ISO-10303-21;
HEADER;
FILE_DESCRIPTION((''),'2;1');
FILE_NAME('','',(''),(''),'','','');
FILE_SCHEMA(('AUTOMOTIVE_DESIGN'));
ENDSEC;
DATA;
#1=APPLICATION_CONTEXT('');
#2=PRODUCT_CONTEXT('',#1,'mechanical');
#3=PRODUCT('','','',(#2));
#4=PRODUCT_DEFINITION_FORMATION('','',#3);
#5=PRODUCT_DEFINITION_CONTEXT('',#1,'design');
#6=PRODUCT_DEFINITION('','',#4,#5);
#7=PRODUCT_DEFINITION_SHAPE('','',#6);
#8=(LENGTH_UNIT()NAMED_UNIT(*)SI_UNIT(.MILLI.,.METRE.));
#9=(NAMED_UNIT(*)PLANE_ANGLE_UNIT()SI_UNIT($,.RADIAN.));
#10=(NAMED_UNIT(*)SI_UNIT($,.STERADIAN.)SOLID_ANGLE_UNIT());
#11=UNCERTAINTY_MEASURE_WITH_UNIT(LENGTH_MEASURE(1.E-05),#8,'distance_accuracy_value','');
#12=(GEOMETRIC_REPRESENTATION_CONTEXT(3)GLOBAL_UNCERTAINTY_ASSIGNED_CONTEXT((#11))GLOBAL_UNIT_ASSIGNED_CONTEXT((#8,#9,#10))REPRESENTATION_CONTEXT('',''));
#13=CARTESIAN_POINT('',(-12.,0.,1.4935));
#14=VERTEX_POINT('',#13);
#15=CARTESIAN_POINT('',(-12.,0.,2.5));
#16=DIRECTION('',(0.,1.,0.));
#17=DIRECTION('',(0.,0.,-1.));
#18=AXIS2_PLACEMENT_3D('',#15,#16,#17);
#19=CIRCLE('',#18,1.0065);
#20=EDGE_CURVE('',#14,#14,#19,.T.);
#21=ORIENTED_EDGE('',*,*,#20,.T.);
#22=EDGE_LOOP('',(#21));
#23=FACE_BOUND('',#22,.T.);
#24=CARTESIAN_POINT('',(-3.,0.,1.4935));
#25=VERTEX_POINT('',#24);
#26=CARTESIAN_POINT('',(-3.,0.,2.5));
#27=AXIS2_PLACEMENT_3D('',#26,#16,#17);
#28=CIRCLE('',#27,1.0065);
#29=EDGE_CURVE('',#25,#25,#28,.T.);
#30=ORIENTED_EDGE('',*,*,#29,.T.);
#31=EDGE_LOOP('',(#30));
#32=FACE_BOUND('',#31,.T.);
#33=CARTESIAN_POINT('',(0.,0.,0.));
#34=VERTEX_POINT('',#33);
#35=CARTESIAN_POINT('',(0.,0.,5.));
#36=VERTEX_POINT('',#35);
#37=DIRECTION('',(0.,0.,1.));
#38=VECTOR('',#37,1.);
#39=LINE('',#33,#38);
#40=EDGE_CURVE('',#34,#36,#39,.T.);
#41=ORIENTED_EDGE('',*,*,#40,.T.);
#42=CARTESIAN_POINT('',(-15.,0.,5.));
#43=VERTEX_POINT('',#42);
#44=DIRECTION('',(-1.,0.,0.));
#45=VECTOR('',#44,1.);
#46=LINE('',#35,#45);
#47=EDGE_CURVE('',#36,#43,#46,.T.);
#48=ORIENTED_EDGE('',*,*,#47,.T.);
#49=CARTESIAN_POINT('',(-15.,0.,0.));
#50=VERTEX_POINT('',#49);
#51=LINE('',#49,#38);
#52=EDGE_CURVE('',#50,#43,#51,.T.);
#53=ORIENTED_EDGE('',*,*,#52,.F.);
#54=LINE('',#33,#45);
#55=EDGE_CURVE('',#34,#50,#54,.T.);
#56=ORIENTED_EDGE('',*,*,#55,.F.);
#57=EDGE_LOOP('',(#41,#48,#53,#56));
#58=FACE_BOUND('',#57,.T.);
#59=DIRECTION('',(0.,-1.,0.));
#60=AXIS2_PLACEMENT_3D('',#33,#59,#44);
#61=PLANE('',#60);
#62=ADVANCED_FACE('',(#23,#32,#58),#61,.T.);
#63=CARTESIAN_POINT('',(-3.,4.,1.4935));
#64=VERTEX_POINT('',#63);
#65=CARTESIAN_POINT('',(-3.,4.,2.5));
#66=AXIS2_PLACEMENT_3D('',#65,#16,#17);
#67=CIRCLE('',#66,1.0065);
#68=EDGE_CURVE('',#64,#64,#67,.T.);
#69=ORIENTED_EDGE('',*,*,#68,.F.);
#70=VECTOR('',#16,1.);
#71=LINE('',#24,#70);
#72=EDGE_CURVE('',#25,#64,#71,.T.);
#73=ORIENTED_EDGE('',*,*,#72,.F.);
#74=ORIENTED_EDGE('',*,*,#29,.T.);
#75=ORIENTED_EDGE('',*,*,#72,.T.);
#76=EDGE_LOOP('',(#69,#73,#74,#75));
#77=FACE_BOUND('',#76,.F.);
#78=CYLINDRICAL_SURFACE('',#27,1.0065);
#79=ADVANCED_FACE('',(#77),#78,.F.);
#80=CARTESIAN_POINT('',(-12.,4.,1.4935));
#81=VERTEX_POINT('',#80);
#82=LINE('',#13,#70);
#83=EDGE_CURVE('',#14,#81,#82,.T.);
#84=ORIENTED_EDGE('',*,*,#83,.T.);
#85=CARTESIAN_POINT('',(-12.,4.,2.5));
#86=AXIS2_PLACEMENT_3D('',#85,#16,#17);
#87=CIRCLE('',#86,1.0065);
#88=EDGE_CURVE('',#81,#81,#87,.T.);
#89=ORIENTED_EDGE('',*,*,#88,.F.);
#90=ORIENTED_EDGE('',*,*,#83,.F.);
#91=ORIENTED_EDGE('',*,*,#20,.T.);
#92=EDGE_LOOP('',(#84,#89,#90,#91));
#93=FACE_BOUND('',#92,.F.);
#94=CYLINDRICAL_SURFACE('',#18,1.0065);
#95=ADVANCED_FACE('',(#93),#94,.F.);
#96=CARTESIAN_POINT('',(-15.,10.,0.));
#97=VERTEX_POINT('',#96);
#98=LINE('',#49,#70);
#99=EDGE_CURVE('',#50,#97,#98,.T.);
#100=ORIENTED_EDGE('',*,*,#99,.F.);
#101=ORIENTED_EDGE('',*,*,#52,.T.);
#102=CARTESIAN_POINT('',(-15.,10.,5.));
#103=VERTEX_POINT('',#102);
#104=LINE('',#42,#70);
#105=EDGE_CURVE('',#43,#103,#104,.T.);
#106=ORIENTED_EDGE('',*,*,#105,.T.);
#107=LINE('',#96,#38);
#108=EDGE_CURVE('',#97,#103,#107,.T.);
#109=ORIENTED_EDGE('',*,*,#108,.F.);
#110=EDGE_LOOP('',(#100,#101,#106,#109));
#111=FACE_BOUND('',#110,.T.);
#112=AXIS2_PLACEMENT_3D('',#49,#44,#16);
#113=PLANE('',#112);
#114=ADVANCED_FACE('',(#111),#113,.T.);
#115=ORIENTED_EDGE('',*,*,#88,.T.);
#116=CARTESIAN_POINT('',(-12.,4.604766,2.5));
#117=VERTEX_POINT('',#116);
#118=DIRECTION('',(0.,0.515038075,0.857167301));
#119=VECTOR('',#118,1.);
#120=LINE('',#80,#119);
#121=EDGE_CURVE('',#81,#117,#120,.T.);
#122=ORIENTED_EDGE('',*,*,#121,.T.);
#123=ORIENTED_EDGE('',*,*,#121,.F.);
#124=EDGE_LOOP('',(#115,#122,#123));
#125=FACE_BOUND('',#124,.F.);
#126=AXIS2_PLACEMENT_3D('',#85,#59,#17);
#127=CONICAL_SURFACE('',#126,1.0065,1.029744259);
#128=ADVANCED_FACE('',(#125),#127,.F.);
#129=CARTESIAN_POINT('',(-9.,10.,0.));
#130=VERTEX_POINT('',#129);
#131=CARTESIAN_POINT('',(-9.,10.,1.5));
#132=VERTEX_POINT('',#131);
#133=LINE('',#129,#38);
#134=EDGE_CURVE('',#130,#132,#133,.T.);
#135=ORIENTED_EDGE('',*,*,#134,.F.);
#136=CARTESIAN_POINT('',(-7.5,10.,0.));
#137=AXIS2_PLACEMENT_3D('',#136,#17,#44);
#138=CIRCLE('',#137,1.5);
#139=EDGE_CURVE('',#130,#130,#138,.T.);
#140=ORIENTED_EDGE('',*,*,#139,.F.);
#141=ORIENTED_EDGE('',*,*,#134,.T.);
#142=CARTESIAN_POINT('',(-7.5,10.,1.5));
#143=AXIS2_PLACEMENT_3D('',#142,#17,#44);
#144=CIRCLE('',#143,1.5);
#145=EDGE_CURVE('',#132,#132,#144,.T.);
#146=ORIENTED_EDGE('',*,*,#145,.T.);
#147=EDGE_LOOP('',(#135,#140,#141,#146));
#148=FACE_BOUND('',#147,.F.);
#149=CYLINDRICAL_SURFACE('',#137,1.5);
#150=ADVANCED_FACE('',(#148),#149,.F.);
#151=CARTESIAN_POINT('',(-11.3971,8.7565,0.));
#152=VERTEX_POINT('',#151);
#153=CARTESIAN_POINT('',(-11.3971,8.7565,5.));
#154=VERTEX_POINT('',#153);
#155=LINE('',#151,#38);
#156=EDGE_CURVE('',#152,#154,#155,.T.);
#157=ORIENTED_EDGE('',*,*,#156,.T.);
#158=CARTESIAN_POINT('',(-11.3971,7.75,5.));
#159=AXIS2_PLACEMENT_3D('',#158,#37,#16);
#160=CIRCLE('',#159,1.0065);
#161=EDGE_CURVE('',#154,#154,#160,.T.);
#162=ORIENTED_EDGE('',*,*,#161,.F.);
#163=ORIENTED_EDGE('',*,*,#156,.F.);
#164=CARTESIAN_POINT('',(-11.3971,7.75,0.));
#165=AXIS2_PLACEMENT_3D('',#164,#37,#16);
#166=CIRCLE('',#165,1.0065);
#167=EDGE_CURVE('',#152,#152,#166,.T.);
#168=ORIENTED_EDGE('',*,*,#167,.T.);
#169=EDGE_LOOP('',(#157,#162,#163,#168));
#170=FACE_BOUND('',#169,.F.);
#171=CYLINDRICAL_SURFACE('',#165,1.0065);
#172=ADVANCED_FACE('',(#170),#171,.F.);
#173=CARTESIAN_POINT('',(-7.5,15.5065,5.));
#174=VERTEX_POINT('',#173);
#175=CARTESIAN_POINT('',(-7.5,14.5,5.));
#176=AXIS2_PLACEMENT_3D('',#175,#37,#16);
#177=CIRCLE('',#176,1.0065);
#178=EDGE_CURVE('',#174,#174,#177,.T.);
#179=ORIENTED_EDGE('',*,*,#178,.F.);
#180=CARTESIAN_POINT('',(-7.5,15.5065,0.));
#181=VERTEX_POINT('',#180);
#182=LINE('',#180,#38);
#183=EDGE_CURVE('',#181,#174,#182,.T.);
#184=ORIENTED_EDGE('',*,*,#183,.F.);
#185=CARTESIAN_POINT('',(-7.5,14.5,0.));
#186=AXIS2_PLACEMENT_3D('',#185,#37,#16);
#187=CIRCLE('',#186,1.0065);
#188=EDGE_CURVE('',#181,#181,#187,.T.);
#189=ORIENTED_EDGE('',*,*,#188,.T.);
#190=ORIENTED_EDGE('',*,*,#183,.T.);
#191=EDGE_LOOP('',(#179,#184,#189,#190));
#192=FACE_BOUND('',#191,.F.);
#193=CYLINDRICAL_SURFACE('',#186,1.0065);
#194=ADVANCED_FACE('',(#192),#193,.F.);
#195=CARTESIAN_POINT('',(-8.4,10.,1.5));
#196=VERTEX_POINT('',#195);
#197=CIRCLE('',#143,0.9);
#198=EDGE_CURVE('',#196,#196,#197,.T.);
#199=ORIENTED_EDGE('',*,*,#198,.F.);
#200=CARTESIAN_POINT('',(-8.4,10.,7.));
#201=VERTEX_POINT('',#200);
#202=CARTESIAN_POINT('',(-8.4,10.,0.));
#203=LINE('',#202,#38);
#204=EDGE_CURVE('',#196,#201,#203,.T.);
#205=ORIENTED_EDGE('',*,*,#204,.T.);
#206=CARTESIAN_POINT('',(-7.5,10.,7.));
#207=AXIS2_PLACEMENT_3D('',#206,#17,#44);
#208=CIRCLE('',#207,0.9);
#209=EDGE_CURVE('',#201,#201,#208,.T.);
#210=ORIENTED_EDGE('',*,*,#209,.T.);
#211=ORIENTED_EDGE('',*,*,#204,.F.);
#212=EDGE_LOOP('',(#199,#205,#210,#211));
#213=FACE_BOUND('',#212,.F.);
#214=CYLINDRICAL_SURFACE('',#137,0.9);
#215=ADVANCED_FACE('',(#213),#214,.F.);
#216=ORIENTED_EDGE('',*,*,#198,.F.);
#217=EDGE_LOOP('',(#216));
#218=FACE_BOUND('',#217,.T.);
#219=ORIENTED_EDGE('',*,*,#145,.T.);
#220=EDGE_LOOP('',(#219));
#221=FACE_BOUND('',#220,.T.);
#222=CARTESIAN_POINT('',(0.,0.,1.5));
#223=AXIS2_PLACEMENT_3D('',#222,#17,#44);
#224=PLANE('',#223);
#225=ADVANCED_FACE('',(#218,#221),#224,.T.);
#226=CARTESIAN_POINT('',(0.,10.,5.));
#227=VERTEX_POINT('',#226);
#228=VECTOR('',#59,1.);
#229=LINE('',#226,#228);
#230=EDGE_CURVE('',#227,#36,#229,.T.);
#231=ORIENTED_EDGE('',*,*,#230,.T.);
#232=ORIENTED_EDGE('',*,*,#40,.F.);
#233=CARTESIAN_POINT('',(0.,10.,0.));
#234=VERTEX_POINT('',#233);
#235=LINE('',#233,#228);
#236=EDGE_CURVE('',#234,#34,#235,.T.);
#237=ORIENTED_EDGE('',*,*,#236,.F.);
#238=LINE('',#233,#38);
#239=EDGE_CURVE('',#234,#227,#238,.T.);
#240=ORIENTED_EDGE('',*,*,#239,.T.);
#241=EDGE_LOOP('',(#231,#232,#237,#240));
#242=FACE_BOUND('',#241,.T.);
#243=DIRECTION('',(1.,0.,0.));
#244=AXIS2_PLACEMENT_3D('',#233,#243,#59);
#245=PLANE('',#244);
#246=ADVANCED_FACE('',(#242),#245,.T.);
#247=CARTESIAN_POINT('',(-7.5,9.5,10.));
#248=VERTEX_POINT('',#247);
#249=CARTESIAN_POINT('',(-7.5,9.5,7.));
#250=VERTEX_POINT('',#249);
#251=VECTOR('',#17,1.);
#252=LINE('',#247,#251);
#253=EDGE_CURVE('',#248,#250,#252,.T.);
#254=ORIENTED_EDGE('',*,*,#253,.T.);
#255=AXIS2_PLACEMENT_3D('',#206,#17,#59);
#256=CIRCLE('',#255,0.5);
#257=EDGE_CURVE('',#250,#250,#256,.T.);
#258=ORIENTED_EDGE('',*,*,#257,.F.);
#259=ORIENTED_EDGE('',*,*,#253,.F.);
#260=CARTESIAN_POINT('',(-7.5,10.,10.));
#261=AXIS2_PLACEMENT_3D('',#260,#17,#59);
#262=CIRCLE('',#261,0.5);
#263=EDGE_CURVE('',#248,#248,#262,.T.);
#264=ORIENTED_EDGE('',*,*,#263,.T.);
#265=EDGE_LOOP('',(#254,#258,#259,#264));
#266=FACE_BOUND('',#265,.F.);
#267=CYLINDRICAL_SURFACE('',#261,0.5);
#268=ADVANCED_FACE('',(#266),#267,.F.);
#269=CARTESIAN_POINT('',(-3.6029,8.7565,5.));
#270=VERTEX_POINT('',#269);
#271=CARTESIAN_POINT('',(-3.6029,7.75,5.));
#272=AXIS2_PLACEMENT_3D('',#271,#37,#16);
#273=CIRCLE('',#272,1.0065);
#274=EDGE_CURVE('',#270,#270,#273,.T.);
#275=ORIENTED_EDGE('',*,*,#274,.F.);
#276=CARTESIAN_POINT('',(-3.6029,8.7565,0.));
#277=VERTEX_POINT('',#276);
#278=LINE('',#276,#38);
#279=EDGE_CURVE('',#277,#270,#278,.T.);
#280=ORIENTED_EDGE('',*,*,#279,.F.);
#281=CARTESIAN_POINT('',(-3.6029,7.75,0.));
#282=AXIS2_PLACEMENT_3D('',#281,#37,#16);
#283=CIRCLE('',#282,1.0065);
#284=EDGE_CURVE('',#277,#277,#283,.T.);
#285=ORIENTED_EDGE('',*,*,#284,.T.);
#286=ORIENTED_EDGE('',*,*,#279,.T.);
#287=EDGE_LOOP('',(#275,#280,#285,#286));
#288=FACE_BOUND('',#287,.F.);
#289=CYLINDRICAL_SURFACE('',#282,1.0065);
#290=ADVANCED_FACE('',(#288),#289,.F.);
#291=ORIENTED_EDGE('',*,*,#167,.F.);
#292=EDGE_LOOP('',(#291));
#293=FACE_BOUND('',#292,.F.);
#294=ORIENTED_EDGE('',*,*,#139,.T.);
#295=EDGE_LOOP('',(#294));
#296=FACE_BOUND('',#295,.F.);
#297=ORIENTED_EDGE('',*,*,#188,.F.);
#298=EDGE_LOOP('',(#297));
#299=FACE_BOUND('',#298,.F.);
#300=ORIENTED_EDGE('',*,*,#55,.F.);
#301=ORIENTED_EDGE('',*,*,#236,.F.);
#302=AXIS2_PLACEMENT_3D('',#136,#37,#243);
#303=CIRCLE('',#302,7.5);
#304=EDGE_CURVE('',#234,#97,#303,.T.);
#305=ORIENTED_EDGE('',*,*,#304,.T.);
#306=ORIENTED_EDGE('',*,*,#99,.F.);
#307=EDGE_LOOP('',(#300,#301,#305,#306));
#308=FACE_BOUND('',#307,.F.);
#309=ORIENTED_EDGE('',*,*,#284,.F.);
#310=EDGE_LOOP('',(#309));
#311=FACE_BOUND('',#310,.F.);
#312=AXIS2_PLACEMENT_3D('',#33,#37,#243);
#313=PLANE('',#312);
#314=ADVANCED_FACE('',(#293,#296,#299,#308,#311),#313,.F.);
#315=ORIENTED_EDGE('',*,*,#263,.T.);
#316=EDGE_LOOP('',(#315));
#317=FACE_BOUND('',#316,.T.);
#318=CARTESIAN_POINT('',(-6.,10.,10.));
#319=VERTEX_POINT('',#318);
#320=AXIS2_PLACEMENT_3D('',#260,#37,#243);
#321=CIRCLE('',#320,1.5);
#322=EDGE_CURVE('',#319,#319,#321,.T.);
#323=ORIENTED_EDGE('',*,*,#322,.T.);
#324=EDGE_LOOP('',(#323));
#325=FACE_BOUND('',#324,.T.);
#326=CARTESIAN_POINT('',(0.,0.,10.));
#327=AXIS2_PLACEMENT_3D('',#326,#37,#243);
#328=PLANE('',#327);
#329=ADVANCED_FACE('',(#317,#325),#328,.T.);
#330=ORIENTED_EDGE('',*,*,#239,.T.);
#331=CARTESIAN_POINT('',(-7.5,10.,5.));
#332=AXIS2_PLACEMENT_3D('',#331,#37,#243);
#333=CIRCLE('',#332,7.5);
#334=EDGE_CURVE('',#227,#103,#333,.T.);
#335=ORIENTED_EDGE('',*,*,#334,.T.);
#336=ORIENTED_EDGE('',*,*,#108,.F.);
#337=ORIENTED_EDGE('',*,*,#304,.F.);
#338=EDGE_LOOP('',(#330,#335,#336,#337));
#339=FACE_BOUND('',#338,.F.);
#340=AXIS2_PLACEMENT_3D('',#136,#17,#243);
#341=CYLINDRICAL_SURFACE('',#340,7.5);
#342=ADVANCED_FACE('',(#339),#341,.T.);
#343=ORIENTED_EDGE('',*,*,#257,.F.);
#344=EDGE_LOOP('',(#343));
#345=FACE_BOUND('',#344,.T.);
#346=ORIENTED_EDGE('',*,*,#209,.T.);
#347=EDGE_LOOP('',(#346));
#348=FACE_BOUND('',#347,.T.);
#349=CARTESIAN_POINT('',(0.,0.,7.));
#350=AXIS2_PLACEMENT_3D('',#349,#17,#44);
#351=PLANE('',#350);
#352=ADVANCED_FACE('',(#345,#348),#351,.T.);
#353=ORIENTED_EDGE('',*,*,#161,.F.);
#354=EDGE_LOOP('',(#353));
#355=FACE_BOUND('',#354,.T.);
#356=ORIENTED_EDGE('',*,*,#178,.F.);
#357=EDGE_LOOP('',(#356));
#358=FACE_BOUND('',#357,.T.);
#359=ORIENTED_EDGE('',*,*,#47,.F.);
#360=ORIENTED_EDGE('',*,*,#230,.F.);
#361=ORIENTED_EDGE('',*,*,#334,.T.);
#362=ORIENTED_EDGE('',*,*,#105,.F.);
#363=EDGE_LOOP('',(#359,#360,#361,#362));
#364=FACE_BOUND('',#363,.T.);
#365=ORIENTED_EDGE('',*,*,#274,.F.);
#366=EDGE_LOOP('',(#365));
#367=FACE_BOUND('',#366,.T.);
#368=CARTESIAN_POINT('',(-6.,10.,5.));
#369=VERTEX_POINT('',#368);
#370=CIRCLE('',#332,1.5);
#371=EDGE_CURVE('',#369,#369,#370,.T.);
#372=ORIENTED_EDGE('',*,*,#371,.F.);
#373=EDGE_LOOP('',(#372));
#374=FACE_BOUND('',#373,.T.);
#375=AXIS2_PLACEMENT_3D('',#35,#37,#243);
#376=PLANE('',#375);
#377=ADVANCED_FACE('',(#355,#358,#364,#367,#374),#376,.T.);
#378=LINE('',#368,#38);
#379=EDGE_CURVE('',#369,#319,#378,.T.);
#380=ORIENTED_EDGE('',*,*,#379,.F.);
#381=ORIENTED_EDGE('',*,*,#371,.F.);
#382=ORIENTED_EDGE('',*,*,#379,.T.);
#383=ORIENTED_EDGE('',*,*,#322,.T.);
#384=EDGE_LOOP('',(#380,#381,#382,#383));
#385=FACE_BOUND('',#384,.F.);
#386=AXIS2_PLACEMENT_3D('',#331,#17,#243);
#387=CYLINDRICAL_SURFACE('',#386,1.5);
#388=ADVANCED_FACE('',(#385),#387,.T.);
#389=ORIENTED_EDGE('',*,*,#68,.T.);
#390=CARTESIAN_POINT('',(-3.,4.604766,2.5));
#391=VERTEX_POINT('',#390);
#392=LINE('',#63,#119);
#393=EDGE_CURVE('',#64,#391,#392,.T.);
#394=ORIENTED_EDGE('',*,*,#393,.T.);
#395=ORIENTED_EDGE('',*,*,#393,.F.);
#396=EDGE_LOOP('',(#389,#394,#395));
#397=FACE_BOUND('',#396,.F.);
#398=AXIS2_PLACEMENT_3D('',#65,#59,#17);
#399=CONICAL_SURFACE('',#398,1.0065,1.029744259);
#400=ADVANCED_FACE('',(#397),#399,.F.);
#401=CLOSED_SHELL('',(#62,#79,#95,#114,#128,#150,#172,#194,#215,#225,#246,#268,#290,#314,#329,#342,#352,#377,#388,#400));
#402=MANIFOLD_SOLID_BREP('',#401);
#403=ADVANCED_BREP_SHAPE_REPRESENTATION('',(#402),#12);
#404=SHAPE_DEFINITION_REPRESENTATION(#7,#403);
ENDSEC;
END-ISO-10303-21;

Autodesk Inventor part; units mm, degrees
ref_plane "YZ Plane" through (0, 0, 0) normal (1, 0, 0) x (0, 1, 0)
ref_plane "XZ Plane" through (0, 0, 0) normal (0, 1, 0) x (-1, 0, 0)
sketch "Sketch1" plane through (0, 0, 0) normal (0, 0, 1) x (1, 0, 0)
  line L0 (0, 0) -> (-15, 0)
  line L1 (-15, 0) -> (-15, 10)
  line L2 (-15, 10) -> (0, 10)
  line L3 (0, 10) -> (0, 0)
  circle A0 centre (-7.5, 10) radius 7.5
  dimension "d0" = 15
  dimension "d1" = 10
extrude "Extrusion1" add sketch "Sketch1" along normal blind 5
sketch "Sketch2" plane through (0, 0, 5) normal (0, 0, 1) x (1, 0, 0)
  arc A0 (0, 10) -> (-15, 10) centre (-7.5, 10) ccw projected
  circle A1 centre (-7.5, 10) radius 1.5
  point P0 (0, 0)
  dimension "d4" = 3
extrude "Extrusion2" add sketch "Sketch2" along normal blind 5
sketch "Sketch3" plane through (-7.5, 10, 10) normal (0, 0, 1) x (1, 0, 0)
  point P0 (7.5, -10)
  point P1 (0, 0)
  point P2 (0, 0)
hole "Hole1" at (-7.5, 10, 10) direction (0, 0, -1) diameter 1 end through all
sketch "Sketch4" plane through (0, 0, 0) normal (0, 0, -1) x (-1, 0, 0)
  circle A0 centre (7.5, 10) radius 0.5 projected
  circle A1 centre (7.5, 10) radius 0.9
  point P0 (0, 0)
  dimension "d14" = 1.8
extrude "Extrusion3" cut sketch "Sketch4" against normal blind 7 contours A0 | A1
sketch "Sketch5" plane through (0, 0, 0) normal (0, 0, -1) x (-1, 0, 0)
  circle A0 centre (7.5, 10) radius 0.9 projected
  circle A1 centre (7.5, 10) radius 1.5
  point P0 (0, 0)
  dimension "d17" = 3
extrude "Extrusion4" cut sketch "Sketch5" against normal blind 1.5
sketch "Sketch7" plane through (-15, 0, 0) normal (0, -1, 0) x (1, 0, 0)
  line L0 (15, 0) -> (15, 5) projected
  line L1 (0, 0) -> (0, 5) projected
  line L2 (0, 0) -> (15, 0) projected
  point P0 (12, 2.5)
  point P1 (3, 2.5)
  dimension "d21" = 3
  dimension "d22" = 3
  dimension "d23" = 2.5
  dimension "d24" = 2.5
hole "Hole2" at (-3, 0, 2.5) at (-12, 0, 2.5) direction (0, 1, 0) diameter 2.013 depth 4 tip angle 118 thread size "M2.5x0.45" class "6H" standard "ISO Metric profile"
sketch "Sketch8" plane through (0, 0, 0) normal (0, 0, -1) x (-1, 0, 0)
  circle A0 centre (7.5, 10) radius 0.5 projected
  circle A1 centre (7.5, 10) radius 4.5 construction
  point P0 (0, 0)
  point P1 (7.5, 14.5)
  point P2 (11.3971, 7.75)
  point P3 (3.6029, 7.75)
  dimension "d32" = 9
  dimension "d33" = 120
  dimension "d34" = 120
hole "Hole3" at (-7.5, 14.5, 0) at (-11.3971, 7.75, 0) at (-3.6029, 7.75, 0) direction (0, 0, 1) diameter 2.013 end through all thread size "M2.5x0.45" class "6H" standard "ISO Metric profile"
sketch "Sketch9" plane through (-7.5, 10, 10) normal (0, 0, 1) x (1, 0, 0)
  circle A0 centre (0, 0) radius 0.9 projected
  point P0 (7.5, -10)
ref_plane "Work Plane1" through (-7.5, 10, 10) normal (1, 0, 0) x (0, 0, -1)
properties part number "FillLine-SealFlange" material "Brass, Soft Yellow"
